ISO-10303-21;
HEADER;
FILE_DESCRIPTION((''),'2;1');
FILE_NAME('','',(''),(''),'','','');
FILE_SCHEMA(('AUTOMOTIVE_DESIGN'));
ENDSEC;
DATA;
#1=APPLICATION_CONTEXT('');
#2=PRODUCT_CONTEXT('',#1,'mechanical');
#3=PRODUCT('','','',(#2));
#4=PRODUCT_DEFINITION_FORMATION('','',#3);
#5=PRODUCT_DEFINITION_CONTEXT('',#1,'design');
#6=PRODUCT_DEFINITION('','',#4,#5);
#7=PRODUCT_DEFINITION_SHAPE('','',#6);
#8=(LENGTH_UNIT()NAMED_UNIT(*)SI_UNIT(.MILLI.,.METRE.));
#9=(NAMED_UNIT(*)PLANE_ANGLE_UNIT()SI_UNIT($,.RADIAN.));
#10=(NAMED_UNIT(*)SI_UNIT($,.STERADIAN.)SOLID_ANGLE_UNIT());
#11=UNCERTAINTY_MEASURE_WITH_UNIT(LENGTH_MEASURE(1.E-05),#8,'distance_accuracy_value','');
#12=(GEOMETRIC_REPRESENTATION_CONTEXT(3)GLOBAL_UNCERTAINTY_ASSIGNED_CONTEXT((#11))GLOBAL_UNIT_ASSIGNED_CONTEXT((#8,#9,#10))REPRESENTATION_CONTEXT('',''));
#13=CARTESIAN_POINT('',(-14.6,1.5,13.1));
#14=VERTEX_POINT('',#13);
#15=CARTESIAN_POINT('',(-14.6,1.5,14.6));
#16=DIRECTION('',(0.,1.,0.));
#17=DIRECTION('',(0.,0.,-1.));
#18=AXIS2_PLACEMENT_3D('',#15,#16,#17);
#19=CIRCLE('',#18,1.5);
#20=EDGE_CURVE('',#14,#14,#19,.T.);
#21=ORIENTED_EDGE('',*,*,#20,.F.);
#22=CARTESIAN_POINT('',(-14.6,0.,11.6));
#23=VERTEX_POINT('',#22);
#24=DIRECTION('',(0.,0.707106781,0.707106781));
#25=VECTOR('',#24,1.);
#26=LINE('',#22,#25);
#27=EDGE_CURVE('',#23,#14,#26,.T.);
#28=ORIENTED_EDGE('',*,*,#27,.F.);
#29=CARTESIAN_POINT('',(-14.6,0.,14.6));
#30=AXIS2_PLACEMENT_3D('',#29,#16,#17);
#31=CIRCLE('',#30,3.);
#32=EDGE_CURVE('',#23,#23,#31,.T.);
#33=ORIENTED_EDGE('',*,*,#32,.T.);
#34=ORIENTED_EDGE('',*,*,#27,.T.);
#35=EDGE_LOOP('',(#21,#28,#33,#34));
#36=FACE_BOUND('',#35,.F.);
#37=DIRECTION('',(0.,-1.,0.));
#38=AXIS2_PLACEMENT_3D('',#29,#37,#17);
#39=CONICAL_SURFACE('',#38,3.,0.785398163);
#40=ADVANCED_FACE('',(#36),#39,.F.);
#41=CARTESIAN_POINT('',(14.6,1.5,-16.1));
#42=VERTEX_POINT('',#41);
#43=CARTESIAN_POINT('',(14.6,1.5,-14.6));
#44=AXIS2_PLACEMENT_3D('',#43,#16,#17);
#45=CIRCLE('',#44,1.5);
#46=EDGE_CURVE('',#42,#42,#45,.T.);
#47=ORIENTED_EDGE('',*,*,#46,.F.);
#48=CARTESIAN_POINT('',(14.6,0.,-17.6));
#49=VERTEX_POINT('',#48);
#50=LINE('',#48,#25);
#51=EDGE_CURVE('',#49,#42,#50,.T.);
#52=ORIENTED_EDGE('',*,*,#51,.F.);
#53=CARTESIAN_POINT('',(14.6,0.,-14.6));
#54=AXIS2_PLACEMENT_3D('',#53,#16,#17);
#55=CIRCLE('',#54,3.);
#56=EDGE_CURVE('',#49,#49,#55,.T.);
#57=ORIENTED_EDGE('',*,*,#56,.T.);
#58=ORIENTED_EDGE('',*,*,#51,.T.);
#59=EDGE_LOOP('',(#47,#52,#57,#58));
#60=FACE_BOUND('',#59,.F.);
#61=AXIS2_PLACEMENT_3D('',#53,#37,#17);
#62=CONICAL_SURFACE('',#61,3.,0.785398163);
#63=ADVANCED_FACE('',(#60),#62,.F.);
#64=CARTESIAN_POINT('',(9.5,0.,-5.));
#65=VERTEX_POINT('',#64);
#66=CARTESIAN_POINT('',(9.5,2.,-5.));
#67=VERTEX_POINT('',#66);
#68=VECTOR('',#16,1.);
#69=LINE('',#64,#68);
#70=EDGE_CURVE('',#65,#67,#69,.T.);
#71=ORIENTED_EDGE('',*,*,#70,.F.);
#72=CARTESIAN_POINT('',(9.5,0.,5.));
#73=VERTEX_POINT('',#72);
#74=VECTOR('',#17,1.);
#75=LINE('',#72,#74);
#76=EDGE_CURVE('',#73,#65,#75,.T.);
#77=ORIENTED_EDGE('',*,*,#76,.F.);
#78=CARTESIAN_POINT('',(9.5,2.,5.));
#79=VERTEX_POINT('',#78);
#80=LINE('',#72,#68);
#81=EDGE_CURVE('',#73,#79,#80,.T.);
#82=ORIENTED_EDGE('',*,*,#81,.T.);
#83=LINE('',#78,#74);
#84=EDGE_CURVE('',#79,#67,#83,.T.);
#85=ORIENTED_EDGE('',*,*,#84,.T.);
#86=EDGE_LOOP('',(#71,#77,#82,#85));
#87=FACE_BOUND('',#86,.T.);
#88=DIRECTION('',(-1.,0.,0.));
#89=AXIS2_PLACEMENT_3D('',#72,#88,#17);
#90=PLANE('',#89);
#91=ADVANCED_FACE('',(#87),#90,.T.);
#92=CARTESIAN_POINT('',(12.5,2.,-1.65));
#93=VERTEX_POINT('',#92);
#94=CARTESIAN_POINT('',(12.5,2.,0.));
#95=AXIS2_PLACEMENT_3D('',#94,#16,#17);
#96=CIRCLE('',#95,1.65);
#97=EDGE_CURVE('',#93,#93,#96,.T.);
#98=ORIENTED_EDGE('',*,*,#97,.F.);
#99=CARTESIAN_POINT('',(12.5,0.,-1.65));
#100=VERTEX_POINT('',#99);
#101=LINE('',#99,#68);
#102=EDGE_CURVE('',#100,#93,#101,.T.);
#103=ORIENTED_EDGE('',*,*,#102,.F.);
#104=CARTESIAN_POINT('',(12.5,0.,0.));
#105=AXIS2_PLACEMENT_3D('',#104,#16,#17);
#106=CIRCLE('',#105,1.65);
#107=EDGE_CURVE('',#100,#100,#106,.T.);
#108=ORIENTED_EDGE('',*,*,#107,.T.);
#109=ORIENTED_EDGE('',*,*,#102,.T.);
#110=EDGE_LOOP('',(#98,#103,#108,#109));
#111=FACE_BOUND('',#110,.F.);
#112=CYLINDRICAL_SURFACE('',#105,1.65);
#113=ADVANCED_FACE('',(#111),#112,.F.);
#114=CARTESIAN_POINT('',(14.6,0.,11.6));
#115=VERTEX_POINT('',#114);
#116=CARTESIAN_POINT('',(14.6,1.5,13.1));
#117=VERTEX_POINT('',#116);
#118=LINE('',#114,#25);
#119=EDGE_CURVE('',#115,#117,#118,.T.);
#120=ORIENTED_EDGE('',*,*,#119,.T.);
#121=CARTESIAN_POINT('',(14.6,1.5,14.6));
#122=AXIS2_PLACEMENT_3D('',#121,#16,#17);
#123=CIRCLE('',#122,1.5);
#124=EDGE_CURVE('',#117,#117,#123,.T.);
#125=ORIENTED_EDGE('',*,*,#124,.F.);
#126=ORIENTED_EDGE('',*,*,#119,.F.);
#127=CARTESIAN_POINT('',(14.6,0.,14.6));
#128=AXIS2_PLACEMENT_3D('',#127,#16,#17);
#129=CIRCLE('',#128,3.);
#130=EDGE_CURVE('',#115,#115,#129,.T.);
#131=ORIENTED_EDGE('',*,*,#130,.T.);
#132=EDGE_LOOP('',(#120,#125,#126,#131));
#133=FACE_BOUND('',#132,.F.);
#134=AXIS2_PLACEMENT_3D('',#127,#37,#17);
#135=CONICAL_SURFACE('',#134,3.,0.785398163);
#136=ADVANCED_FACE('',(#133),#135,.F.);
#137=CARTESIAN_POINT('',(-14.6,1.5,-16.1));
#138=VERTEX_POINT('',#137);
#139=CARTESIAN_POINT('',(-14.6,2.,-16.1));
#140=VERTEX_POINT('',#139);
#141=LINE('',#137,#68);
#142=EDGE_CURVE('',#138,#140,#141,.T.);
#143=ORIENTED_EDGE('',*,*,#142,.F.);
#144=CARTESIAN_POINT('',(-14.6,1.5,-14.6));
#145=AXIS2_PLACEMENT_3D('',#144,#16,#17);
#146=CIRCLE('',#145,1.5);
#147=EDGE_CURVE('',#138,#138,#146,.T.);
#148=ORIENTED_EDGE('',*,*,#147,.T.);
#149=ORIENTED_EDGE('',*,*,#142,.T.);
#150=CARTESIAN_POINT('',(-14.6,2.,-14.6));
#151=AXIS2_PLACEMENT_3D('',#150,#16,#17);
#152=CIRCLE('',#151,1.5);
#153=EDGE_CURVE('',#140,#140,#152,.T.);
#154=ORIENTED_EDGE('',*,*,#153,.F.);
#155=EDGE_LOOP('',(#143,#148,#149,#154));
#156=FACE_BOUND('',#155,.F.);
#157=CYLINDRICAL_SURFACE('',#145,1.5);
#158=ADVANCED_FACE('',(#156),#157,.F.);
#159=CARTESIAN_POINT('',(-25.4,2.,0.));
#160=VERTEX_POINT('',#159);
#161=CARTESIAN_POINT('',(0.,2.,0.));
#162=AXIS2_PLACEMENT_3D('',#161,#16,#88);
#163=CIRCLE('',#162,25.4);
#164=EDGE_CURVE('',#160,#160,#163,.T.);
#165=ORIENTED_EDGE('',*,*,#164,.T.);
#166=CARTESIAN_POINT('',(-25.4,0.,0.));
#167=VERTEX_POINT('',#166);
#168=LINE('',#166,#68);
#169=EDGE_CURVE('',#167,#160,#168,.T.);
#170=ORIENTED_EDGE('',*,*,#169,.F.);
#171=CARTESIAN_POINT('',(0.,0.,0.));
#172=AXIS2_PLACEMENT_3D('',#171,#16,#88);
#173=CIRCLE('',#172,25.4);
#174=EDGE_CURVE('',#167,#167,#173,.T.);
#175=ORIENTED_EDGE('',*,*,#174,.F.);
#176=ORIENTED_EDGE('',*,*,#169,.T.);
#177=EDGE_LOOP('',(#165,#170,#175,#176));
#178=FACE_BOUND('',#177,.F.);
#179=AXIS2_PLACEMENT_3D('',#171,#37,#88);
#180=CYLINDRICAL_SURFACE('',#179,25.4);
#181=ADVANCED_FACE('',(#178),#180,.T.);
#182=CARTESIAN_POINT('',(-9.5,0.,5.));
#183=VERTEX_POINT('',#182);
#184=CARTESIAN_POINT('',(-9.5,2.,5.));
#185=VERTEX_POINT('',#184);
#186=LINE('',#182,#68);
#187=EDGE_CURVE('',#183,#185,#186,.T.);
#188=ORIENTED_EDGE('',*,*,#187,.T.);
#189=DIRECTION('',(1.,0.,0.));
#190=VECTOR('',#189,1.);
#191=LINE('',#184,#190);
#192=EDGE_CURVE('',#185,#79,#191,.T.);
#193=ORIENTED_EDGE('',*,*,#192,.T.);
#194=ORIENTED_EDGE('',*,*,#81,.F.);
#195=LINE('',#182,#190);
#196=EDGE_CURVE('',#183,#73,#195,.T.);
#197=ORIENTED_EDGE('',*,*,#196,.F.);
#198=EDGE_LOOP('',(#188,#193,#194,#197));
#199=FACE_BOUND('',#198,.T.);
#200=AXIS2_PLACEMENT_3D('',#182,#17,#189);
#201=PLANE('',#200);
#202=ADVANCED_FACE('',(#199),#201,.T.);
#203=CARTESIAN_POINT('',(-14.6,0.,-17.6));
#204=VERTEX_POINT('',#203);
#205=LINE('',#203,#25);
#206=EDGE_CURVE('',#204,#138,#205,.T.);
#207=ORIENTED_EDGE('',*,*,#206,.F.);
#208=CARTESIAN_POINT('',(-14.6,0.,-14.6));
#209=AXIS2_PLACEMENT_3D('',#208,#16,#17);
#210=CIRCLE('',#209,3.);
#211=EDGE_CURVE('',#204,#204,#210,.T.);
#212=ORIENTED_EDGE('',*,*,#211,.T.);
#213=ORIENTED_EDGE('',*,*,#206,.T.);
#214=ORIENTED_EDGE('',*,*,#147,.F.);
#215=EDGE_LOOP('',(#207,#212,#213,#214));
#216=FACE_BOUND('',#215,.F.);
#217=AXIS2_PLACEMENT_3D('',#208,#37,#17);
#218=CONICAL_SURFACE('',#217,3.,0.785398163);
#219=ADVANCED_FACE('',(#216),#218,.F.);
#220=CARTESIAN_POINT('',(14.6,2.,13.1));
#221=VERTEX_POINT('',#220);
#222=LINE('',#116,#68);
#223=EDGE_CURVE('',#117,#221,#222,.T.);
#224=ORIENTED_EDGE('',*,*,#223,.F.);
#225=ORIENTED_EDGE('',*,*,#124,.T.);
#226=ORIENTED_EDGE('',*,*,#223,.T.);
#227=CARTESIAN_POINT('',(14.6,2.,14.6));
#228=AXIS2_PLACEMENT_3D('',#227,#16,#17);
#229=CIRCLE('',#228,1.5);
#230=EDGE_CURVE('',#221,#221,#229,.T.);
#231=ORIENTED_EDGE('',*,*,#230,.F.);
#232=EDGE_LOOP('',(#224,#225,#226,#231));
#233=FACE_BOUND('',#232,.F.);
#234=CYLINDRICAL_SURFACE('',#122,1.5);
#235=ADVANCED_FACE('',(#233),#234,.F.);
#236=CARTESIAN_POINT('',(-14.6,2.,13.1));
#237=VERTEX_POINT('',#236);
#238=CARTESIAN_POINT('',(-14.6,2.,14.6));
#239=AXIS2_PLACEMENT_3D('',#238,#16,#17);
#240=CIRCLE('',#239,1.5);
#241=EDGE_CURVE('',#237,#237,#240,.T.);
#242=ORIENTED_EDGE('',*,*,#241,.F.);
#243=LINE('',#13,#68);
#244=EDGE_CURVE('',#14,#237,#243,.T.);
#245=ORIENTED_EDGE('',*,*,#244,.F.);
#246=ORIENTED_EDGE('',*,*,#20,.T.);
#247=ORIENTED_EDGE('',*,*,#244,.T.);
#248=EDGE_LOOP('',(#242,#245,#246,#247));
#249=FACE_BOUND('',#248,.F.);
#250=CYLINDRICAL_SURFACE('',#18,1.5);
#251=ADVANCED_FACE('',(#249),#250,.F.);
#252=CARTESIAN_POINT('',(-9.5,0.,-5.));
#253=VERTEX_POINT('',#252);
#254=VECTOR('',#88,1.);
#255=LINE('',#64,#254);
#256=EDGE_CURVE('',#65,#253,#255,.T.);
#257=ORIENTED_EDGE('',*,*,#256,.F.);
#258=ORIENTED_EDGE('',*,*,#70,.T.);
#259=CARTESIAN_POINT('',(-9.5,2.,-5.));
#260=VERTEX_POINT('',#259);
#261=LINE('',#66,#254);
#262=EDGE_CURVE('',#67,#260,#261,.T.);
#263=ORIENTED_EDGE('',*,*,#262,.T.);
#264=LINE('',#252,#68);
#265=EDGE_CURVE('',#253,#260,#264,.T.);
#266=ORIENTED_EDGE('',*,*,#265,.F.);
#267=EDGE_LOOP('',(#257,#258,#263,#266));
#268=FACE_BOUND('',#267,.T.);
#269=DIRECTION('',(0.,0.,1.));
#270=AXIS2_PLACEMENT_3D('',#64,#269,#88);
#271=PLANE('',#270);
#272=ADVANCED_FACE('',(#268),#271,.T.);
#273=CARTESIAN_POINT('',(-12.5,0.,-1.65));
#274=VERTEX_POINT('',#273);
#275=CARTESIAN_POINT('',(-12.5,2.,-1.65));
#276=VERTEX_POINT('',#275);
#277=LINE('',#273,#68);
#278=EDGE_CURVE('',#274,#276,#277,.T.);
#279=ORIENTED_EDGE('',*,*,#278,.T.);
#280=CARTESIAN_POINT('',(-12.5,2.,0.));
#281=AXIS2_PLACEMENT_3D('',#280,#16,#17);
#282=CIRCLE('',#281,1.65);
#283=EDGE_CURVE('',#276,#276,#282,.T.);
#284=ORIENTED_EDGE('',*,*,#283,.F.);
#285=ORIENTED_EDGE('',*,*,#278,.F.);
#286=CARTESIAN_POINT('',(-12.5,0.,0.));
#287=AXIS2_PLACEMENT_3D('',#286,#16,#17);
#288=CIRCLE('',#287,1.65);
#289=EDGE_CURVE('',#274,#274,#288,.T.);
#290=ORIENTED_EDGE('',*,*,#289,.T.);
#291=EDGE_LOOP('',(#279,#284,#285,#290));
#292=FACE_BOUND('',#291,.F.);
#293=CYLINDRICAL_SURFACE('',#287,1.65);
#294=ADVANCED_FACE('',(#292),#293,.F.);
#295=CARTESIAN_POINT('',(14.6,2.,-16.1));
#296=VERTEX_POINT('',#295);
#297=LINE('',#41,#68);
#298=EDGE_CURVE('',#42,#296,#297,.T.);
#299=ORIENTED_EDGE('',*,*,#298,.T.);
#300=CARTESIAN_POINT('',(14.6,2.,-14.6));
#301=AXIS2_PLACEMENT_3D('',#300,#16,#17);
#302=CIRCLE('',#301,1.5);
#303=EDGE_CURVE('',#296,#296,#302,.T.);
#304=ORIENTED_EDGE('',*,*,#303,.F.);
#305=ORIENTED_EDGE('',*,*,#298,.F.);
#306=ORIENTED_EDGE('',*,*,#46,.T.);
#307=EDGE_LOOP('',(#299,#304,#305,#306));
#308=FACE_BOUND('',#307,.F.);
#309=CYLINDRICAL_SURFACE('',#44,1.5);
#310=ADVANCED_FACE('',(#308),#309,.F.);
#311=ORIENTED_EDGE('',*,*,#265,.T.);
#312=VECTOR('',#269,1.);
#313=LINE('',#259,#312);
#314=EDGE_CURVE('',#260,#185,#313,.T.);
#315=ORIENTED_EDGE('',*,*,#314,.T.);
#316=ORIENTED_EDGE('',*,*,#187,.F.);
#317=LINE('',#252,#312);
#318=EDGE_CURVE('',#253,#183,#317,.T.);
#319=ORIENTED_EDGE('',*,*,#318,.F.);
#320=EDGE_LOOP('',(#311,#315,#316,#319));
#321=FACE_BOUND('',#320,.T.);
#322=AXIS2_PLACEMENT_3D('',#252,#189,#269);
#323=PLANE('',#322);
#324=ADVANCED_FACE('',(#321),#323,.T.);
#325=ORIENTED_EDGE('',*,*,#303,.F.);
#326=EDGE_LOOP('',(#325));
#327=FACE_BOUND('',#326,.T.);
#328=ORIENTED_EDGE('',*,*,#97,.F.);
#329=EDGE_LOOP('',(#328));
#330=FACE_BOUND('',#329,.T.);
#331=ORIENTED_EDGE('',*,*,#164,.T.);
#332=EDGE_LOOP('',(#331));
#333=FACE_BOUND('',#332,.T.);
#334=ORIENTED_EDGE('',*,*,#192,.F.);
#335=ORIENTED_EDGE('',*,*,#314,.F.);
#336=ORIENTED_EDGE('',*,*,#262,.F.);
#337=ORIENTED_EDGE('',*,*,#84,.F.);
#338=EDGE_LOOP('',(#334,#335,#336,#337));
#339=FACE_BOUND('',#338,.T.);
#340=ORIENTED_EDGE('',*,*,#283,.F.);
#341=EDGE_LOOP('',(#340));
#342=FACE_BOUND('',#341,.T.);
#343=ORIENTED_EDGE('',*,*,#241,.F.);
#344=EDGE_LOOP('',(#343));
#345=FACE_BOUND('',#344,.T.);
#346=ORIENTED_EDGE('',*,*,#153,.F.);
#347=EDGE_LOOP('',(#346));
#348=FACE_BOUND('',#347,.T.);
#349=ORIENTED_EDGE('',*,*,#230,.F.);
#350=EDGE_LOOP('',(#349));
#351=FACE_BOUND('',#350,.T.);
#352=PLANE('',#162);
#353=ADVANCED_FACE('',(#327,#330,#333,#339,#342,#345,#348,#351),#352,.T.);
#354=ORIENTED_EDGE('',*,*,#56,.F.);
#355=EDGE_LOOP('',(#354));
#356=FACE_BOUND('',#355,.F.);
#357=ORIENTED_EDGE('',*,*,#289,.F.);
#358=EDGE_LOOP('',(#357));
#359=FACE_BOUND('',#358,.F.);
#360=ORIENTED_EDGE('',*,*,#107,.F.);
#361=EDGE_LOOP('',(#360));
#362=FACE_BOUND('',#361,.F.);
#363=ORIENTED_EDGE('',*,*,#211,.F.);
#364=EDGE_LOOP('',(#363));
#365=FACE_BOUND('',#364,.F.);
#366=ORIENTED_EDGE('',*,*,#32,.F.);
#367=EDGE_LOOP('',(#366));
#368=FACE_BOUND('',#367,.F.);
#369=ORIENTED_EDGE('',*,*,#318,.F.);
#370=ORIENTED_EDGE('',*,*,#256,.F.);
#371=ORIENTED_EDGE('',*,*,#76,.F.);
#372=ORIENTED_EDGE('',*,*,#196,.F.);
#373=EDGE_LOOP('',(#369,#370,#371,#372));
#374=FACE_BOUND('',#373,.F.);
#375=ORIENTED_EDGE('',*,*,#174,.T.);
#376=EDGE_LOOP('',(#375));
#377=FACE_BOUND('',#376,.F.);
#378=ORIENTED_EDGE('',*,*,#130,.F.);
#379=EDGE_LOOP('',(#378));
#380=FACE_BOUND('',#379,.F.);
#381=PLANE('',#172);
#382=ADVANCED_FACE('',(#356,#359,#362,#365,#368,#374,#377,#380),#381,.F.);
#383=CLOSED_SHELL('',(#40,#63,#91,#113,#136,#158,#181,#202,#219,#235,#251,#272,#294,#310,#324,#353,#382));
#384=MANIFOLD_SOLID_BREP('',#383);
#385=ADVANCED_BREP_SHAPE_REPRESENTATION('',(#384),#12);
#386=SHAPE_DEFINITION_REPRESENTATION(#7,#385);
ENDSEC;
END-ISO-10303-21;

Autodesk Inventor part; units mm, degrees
ref_plane "YZ Plane" through (0, 0, 0) normal (1, 0, 0) x (0, 1, 0)
ref_plane "XZ Plane" through (0, 0, 0) normal (0, 1, 0) x (-1, 0, 0)
ref_plane "XY Plane" through (0, 0, 0) normal (0, 0, 1) x (1, 0, 0)
sketch "Skizze1" plane through (0, 0, 0) normal (0, 1, 0) x (-1, 0, 0)
  circle A0 centre (0, 0) radius 25.4
  dimension "d0" = 50.8
extrude "Extrusion1" add sketch "Skizze1" along normal blind 2
sketch "Skizze2" plane through (0, 0, 0) normal (0, -1, 0) x (1, 0, 0)
  circle A0 centre (0, 0) radius 25.4 projected
  line L0 (-14.6, 14.6) -> (14.6, 14.6) construction
  line L1 (14.6, 14.6) -> (14.6, -14.6) construction
  line L2 (14.6, -14.6) -> (-14.6, -14.6) construction
  line L3 (-14.6, -14.6) -> (-14.6, 14.6) construction
  line L4 (0, 0) -> (14.6, 0) construction
  line L5 (0, 0) -> (0, 14.6) construction
  dimension "d3" = 29.2
  dimension "d4" = 29.2
hole "Bohrung1" at (-14.6, 0, 14.6) at (14.6, 0, 14.6) at (14.6, 0, -14.6) at (-14.6, 0, -14.6) direction (0, 1, 0) diameter 3 end through all countersink diameter 6 countersink angle 90
sketch "Skizze7" plane through (0, 0, 0) normal (0, -1, 0) x (1, 0, 0)
  circle A0 centre (0, 0) radius 25.4 projected
  line L0 (-9.5, 5) -> (9.5, 5)
  line L1 (9.5, 5) -> (9.5, -5)
  line L2 (9.5, -5) -> (-9.5, -5)
  line L3 (-9.5, -5) -> (-9.5, 5)
  line L4 (0, 0) -> (9.5, 0) construction
  line L5 (0, 0) -> (0, 5) construction
  line L6 (0, 0) -> (12.5, 0) construction
  line L7 (0, 0) -> (-12.5, 0) construction
  dimension "d25" = 19
  dimension "d26" = 10
  dimension "d28" = 12.5
  dimension "d29" = 12.5
extrude "Extrusion5" cut sketch "Skizze7" against normal blind 2 contours L0 L1 L2 L3
sketch "Skizze8" plane through (0, 0, 0) normal (0, -1, 0) x (1, 0, 0)
  circle A0 centre (0, 0) radius 25.4 projected
  line L0 (0, 0) -> (12.5, 0) construction
  line L1 (0, 0) -> (-12.5, 0) construction
  dimension "d32" = 12.5
  dimension "d33" = 12.5
hole "Bohrung2" at (-12.5, 0, 0) at (12.5, 0, 0) direction (0, 1, 0) diameter 3.3 end through all
properties part number "anschluss_daten_1"
